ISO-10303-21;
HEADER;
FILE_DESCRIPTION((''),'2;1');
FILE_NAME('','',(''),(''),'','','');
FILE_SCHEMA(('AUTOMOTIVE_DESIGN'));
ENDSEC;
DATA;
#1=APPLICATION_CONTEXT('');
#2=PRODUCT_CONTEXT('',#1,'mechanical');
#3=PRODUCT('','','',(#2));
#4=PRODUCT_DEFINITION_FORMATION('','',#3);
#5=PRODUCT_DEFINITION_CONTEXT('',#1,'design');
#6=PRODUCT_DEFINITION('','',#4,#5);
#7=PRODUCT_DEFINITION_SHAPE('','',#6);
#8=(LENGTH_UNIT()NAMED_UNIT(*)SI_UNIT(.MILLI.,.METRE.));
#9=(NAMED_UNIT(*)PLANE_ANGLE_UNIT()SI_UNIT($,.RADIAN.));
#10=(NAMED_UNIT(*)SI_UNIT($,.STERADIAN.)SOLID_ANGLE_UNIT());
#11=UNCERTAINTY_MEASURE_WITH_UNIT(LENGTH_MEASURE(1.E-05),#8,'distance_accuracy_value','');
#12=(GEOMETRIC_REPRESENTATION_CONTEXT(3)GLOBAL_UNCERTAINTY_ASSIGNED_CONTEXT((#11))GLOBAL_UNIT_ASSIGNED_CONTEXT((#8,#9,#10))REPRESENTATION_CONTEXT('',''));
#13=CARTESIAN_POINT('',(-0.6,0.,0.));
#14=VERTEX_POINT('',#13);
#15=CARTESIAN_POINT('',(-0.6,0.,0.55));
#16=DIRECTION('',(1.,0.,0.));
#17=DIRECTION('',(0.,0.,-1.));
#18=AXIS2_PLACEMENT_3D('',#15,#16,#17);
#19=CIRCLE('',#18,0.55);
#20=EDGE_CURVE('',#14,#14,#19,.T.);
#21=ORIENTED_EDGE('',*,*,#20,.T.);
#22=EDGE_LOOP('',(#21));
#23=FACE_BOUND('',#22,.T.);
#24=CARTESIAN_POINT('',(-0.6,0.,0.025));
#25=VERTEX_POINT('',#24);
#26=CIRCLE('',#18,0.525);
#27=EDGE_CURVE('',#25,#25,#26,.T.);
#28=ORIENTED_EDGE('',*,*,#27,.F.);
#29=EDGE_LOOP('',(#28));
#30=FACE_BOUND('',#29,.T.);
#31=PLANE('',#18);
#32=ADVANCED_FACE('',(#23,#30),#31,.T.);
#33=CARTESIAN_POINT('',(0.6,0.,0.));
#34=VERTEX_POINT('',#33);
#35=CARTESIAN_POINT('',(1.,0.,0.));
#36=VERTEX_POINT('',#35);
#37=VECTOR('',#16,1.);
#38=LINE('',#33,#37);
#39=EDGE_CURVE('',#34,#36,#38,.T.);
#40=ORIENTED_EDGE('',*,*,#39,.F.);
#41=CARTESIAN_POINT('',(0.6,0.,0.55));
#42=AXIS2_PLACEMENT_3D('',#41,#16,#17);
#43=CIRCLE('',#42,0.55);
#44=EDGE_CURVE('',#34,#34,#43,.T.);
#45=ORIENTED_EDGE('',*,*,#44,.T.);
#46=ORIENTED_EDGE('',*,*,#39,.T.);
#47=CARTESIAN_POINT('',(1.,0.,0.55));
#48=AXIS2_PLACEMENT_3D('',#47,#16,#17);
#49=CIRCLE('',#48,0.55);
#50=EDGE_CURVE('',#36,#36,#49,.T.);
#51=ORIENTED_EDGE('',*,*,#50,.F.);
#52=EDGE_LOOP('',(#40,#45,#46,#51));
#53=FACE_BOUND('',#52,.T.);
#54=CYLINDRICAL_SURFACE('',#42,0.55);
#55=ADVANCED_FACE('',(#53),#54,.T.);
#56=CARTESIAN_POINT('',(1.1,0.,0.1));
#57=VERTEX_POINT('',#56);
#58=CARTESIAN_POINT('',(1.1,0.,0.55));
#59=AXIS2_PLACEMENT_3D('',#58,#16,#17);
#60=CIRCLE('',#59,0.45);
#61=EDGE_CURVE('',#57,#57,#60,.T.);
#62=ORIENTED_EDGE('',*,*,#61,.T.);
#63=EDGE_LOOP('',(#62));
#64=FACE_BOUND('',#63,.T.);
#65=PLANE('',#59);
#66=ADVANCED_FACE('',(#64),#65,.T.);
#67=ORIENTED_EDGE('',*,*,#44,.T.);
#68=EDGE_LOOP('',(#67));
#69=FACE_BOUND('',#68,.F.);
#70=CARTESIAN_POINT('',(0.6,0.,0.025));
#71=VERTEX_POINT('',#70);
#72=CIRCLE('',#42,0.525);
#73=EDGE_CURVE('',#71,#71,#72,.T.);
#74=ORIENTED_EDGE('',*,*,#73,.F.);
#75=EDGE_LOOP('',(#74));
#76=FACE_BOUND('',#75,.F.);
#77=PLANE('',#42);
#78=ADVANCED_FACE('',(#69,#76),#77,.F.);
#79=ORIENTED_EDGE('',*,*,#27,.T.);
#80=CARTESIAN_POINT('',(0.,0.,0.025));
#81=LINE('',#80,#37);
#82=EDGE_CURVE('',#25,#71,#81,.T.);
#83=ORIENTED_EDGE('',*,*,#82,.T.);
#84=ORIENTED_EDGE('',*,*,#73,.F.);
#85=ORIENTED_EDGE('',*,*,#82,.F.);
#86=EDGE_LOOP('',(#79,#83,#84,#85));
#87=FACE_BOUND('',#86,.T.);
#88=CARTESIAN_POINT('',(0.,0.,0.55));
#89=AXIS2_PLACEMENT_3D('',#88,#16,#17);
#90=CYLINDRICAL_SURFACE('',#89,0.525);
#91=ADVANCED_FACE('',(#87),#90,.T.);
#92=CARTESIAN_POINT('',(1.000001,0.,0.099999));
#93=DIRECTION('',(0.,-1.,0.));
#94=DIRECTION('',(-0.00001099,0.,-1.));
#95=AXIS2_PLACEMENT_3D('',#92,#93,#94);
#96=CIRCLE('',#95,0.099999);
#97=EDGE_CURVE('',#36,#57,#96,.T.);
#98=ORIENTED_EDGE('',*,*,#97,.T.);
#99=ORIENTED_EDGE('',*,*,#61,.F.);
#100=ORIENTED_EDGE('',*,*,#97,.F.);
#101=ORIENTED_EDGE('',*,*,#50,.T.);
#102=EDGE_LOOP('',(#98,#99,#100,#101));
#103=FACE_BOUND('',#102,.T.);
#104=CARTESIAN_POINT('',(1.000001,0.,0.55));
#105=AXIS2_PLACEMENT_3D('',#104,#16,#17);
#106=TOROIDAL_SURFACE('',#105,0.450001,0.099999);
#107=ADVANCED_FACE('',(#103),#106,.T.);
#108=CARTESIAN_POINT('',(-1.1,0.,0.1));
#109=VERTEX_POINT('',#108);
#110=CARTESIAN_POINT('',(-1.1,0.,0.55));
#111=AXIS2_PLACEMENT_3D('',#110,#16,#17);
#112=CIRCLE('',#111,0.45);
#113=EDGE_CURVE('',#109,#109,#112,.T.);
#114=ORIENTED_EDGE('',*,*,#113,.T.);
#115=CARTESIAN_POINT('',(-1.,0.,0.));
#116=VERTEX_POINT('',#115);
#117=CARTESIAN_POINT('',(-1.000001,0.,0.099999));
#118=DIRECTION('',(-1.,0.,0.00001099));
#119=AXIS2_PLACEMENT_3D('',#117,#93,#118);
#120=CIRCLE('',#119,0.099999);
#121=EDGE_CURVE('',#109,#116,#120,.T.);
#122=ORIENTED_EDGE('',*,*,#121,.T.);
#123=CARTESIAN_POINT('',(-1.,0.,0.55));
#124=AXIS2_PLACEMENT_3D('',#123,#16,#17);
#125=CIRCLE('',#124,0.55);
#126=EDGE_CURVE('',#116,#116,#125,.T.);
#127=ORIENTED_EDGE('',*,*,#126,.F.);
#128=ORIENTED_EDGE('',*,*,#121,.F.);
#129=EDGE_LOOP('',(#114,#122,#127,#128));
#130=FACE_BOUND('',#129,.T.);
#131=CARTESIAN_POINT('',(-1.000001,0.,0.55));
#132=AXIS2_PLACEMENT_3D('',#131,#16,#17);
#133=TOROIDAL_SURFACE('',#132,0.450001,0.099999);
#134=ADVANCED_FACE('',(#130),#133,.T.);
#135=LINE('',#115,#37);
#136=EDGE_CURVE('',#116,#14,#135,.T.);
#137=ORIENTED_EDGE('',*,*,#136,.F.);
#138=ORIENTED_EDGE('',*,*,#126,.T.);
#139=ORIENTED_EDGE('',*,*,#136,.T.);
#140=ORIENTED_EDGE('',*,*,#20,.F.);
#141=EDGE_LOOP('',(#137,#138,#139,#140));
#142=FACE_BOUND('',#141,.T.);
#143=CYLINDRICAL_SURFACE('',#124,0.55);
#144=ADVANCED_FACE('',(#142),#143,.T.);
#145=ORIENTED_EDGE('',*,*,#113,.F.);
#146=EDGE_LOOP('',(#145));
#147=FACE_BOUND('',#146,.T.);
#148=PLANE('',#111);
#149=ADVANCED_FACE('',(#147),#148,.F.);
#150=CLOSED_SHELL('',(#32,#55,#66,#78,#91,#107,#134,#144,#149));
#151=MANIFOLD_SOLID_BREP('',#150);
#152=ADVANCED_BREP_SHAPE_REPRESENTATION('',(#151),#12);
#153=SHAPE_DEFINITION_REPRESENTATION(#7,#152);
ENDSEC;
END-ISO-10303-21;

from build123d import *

# Parameters (mm, degrees)
SKETCH_W = 1.7
SKETCH_H = 0.525


with BuildPart() as revolution:
    # Sketch → Revolution (revolve)
    with BuildSketch(Plane.XZ):
        with Locations((0, 0.2875)):
            Rectangle(SKETCH_W, SKETCH_H)
    revolve(axis=Axis((-15.061842, 0, 0.55), (1, 0, 0)))


with BuildPart() as fusion:
    # Sketch001 → Revolution001 (revolve)
    with BuildSketch(Plane.XZ):
        with BuildLine():
            Line((-1, 0), (-0.6, 0))
            Line((-0.6, 0), (-0.6, 0.45))
            Line((-0.6, 0.45), (0.6, 0.45))
            Line((0.6, 0), (0.6, 0.45))
            Line((0.6, 0), (1, 0))
            ThreePointArc((1, 0), (1.070711, 0.029289), (1.1, 0.1))
            Line((1.1, 0.1), (1.1, 0.55))
            Line((-1.1, 0.55), (1.1, 0.55))
            Line((-1.1, 0.55), (-1.1, 0.1))
            ThreePointArc((-1.1, 0.1), (-1.070711, 0.029289), (-1, 0))
        make_face()
    revolve(axis=Axis((-8.9, 0, 0.55), (1, 0, 0)))

    # Fusion: union Revolution
    add(revolution.part)


solid = fusion.part
